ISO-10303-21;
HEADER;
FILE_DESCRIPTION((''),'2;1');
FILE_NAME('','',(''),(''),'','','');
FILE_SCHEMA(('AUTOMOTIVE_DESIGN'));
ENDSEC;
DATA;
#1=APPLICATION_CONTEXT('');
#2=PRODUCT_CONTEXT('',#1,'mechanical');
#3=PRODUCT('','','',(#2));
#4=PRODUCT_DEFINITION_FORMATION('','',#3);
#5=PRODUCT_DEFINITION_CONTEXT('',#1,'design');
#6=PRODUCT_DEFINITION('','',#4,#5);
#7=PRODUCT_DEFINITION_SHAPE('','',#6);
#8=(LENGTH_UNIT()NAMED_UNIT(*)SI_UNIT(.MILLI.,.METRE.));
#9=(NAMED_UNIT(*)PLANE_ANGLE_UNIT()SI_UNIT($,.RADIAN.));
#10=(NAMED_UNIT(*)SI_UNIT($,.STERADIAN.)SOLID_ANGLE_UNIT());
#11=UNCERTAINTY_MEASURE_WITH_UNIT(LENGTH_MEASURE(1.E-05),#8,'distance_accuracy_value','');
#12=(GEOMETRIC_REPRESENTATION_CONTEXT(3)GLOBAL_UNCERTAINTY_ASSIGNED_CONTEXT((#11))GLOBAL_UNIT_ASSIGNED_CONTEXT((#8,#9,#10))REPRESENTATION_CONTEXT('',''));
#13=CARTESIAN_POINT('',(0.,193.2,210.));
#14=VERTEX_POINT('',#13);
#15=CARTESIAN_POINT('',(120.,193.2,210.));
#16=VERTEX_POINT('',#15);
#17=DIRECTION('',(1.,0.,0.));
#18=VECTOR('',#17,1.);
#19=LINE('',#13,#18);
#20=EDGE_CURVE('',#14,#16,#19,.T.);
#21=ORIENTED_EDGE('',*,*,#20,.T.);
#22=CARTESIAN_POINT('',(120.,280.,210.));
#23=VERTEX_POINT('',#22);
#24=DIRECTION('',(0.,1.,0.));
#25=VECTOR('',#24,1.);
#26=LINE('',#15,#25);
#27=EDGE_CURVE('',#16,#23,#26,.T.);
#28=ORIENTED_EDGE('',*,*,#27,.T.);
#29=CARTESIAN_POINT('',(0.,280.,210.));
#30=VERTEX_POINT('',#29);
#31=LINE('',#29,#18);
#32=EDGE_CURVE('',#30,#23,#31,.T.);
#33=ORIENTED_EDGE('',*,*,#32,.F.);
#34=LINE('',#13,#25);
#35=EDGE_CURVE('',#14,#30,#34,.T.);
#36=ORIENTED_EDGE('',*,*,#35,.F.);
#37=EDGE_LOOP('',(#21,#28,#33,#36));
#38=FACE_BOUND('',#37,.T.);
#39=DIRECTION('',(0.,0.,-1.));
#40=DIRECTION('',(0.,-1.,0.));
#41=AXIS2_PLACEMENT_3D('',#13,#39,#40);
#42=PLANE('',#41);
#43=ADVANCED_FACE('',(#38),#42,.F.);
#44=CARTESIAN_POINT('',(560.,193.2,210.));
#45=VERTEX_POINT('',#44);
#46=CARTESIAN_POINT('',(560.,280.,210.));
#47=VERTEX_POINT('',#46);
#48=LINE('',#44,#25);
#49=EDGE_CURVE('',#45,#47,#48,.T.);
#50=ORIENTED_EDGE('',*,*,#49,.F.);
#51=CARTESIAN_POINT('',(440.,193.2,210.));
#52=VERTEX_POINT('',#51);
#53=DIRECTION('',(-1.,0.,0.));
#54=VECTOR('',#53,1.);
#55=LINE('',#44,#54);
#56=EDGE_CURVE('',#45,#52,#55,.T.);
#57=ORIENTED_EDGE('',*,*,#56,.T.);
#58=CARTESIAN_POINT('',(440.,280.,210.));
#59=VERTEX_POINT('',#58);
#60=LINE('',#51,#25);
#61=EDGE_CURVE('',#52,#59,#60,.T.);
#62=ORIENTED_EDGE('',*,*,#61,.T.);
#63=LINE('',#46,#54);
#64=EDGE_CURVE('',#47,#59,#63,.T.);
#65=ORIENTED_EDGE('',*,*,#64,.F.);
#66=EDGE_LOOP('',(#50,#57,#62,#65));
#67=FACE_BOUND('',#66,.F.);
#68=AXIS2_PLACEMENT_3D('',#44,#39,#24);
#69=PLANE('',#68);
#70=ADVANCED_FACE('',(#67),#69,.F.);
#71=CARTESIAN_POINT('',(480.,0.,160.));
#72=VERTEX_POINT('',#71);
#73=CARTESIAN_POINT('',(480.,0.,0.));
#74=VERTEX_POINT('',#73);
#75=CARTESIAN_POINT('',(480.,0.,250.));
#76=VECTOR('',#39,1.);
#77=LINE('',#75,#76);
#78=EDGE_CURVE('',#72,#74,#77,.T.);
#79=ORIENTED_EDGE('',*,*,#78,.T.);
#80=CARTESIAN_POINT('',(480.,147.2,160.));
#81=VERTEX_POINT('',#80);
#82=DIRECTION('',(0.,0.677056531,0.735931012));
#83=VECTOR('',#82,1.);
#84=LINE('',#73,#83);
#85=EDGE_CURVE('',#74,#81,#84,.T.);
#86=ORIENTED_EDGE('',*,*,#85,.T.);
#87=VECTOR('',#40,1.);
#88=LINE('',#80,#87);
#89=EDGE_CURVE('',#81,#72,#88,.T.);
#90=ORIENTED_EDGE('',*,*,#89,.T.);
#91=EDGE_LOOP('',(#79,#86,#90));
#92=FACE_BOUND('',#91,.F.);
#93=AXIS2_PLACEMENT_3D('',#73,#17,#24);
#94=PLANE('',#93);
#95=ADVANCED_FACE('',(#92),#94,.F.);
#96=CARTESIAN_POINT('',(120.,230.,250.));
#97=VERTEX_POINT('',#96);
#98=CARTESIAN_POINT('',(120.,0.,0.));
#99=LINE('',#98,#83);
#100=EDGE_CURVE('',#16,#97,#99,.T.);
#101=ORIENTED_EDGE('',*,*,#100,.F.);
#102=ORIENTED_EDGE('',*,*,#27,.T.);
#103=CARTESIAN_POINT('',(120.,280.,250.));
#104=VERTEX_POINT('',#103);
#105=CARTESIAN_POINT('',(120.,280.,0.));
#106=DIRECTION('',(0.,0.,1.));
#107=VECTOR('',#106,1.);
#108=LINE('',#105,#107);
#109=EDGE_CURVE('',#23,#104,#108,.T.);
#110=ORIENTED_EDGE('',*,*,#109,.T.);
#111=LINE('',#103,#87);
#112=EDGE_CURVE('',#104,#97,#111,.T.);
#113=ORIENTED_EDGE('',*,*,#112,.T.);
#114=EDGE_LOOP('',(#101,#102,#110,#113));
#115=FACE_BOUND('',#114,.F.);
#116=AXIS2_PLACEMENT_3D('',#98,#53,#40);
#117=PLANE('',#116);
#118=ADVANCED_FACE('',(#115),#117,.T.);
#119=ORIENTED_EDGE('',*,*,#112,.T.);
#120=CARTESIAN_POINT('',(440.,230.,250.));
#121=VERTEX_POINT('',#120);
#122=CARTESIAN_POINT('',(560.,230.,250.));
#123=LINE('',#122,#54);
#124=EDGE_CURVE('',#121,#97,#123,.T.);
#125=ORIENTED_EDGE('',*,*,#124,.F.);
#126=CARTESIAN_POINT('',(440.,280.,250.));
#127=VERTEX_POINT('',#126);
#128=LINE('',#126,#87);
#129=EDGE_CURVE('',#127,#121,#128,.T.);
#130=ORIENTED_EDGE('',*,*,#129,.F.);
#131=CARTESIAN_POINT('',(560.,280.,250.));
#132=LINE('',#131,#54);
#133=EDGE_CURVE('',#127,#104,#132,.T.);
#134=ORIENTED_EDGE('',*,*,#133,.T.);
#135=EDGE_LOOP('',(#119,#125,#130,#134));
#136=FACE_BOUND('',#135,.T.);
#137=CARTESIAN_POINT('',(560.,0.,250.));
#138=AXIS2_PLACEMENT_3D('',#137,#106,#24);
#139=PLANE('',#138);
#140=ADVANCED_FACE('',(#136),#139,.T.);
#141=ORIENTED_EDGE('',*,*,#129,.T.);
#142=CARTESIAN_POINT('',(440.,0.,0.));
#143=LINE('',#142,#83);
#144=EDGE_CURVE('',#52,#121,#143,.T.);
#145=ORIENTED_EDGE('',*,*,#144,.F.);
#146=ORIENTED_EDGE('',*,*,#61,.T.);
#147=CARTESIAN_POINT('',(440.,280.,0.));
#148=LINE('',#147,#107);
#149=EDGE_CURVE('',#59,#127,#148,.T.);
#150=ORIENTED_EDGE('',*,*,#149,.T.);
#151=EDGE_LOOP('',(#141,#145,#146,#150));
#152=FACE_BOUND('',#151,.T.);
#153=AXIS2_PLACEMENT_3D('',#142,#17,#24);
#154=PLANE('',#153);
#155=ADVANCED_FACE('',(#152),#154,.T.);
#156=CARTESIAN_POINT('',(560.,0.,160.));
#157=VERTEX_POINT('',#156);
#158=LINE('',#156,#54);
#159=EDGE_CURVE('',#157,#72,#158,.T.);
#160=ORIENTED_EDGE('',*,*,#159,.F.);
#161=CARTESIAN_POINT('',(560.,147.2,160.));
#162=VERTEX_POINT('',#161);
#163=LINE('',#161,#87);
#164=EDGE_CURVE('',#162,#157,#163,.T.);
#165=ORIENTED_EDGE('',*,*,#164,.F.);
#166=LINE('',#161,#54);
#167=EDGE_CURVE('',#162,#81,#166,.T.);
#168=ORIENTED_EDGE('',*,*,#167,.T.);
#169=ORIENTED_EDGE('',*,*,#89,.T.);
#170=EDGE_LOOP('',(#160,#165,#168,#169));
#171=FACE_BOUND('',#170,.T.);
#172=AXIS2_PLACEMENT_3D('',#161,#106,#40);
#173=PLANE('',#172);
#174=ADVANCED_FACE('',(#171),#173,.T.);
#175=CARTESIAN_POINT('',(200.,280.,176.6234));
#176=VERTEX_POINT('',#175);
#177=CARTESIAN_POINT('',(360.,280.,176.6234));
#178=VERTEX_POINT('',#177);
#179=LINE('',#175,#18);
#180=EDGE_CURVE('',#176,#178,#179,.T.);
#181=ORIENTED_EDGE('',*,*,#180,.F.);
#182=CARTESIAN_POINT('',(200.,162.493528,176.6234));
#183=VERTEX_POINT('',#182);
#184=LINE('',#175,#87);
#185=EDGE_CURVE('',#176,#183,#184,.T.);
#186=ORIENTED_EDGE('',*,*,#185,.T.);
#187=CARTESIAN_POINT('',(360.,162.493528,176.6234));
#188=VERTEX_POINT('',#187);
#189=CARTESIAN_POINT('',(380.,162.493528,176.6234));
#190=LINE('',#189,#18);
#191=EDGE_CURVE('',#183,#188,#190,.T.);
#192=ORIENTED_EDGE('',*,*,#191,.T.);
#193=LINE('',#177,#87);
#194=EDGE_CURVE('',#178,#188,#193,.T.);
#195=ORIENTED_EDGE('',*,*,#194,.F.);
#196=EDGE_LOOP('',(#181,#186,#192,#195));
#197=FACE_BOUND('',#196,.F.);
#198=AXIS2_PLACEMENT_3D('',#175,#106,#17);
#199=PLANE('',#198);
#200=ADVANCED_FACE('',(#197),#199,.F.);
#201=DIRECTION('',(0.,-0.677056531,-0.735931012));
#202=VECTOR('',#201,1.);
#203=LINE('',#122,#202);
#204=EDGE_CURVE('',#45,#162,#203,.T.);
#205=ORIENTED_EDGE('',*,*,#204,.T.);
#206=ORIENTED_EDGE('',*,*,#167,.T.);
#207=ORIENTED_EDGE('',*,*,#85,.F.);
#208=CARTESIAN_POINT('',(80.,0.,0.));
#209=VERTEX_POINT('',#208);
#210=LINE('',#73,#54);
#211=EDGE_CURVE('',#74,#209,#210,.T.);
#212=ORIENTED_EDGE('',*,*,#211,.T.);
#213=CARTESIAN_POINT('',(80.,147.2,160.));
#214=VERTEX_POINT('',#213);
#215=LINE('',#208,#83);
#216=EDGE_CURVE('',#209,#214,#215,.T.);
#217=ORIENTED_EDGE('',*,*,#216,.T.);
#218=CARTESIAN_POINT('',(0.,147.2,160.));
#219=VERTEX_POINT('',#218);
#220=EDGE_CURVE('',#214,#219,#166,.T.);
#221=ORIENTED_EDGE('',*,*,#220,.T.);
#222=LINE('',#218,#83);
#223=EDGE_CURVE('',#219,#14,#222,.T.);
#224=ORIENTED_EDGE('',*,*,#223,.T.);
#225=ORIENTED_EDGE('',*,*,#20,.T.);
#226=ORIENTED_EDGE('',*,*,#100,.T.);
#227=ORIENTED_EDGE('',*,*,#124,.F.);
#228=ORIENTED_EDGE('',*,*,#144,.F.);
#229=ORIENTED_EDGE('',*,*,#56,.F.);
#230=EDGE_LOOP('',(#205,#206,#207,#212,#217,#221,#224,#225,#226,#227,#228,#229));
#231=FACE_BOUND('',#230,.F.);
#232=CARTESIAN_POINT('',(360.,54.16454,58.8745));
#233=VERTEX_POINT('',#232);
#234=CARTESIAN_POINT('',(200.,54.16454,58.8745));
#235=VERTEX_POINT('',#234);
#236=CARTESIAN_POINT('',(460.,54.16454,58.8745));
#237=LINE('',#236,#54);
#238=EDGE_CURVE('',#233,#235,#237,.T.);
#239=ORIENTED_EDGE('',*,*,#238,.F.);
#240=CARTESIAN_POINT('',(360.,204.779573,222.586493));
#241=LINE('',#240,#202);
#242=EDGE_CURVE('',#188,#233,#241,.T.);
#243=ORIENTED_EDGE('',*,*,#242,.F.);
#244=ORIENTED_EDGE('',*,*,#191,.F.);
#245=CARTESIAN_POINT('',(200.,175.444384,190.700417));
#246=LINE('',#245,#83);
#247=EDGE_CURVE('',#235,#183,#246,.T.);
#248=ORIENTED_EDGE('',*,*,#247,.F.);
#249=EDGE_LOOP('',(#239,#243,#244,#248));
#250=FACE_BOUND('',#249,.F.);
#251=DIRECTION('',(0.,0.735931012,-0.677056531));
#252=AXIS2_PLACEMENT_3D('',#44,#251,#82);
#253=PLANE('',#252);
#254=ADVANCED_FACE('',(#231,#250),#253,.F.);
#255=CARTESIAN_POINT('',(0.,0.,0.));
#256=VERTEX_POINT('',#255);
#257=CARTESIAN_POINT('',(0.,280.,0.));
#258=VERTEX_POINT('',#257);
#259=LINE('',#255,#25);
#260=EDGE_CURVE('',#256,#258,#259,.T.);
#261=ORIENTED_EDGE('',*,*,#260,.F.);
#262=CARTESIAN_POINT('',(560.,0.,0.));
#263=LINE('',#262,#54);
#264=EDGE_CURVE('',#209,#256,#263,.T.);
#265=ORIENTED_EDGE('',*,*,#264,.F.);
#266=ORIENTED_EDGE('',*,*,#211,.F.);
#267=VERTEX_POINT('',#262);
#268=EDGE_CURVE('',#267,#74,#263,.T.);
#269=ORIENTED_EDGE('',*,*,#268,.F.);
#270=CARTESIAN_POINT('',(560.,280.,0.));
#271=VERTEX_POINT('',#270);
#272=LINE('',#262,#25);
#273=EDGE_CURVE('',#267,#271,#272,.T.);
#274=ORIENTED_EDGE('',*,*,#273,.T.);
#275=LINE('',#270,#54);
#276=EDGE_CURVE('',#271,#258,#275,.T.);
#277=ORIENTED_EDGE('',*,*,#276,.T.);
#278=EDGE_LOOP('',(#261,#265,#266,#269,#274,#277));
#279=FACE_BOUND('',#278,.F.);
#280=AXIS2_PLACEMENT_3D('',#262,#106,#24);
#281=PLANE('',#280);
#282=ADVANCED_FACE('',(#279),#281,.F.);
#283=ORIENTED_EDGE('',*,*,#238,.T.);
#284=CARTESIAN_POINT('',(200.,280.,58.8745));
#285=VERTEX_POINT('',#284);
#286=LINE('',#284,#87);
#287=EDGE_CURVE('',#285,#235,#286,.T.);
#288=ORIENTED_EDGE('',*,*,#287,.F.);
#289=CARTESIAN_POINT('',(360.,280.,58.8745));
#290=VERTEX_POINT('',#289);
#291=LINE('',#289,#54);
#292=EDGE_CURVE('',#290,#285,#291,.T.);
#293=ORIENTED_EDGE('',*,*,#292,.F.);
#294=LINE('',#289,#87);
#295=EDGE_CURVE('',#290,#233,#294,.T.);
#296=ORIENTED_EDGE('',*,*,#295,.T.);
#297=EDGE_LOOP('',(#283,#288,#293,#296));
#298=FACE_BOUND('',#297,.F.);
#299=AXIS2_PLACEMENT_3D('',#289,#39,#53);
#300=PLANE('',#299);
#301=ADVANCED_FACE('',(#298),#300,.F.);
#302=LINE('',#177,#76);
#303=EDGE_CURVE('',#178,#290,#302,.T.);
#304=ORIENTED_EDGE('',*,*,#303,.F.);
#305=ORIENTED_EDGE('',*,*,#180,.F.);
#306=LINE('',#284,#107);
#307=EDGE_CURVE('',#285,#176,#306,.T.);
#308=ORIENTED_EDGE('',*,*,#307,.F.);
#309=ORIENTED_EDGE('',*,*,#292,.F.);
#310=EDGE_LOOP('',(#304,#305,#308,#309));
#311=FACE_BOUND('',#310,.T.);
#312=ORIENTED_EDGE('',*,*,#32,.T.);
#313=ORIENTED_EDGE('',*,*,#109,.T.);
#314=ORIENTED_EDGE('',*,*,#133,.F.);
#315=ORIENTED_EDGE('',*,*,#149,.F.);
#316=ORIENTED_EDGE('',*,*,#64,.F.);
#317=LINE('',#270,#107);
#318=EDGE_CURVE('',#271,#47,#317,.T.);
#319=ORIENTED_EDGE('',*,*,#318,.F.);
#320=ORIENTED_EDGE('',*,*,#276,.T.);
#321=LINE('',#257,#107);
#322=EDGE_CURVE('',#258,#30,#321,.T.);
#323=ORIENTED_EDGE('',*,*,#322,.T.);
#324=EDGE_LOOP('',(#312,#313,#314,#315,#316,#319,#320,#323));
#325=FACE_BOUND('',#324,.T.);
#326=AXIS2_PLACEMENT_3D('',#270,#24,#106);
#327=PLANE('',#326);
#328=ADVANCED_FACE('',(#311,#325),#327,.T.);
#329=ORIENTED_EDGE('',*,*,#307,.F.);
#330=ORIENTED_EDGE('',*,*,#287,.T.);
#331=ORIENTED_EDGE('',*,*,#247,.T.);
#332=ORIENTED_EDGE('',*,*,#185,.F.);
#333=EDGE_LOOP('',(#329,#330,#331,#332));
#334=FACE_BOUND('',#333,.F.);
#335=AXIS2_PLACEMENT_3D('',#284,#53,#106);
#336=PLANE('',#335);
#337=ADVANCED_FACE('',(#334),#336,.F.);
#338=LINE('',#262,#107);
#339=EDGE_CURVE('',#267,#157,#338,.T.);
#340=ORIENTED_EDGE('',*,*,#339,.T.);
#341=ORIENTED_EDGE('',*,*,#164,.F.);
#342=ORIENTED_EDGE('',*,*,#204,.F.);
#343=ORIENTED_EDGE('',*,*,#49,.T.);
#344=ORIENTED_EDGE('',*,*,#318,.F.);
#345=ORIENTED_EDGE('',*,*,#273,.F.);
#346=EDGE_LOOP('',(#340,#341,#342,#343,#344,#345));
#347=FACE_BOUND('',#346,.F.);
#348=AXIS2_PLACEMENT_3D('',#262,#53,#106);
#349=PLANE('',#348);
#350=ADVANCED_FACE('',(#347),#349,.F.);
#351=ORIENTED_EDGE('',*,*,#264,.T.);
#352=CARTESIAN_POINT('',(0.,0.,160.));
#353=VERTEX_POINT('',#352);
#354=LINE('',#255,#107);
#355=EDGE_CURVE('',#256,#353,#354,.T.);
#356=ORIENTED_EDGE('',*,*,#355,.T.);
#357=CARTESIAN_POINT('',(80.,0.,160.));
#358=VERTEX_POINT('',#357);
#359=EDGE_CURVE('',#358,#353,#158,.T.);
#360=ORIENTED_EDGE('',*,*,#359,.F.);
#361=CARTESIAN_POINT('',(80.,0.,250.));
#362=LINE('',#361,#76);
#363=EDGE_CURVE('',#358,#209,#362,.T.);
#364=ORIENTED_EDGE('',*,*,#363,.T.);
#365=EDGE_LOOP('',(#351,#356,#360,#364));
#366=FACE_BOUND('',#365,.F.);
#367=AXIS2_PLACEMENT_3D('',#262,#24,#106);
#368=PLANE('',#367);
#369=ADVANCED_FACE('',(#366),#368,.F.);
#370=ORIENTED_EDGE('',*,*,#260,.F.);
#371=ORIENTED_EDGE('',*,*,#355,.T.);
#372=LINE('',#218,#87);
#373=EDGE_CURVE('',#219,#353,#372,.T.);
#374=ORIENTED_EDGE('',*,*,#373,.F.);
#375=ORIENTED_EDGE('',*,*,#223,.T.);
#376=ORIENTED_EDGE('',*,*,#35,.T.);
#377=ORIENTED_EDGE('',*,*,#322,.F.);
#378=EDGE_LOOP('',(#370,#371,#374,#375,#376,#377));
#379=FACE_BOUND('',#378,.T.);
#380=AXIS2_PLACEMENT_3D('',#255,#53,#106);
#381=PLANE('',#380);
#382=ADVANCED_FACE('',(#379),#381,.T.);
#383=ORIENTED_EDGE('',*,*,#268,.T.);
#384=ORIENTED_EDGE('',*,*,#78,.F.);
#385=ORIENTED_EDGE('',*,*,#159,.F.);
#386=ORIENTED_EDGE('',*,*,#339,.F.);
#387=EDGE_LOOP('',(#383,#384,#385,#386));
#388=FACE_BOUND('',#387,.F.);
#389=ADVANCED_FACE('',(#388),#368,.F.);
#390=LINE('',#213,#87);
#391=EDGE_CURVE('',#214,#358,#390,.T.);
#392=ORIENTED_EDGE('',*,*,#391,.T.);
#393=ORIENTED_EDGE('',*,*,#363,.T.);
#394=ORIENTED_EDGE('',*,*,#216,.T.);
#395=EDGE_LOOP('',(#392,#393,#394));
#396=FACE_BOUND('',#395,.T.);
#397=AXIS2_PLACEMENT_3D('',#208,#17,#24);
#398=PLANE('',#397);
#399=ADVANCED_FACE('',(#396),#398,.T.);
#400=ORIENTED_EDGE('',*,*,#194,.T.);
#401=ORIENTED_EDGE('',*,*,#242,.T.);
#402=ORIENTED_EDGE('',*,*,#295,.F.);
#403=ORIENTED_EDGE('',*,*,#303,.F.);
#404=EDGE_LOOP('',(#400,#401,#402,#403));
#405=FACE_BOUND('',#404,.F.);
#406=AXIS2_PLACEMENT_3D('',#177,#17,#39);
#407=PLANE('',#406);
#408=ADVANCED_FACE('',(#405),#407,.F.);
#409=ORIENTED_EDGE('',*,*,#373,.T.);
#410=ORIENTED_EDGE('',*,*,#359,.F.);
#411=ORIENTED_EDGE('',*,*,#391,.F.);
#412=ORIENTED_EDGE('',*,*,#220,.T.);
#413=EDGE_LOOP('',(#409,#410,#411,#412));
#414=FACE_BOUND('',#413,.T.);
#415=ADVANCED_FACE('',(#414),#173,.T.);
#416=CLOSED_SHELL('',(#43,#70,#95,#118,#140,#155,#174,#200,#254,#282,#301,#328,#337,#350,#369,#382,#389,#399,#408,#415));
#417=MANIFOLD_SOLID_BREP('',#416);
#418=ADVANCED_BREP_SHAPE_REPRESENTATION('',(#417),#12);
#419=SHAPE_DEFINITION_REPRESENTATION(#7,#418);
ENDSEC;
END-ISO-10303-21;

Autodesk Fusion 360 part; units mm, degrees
box "BoxPrimitive1" add length 280 width 560 height 250 placed x (0, 1, 0) y (-1, 0, 0) z (0, 0, 1) at (560, 0, 0)
sketch "Sketch2" plane through (560, 0, 0) normal (1, 0, 0) x (0, 1, 0)
  line L0 (0, 250) -> (0, 0)
  line L1 (0, 0) -> (280, 0)
  line L2 (280, 0) -> (280, 250)
  line L3 (280, 250) -> (0, 250)
  line L4 (0, 0) -> (230, 250)
  line L5 (193.2, 210) -> (280, 210)
  line L6 (147.2, 160) -> (0, 160)
  dimension "d6" = 50
  dimension "d7" = 160
  dimension "d8" = 50
extrude "Extrude1" cut sketch "Sketch2" against normal blind 560 contours L0 L3 L4 L6
extrude "Extrude2" cut sketch "Sketch2" against normal blind 400 from surface at -80 contours L0 L4 L6
extrude "Extrude3" cut sketch "Sketch2" against normal blind 120 contours L2 L3 L4 L5
ref_plane "WorkPlane1" through (280, 140, 105) normal (1, 0, 0) x (0, 0, -1)
mirror "Mirror1" about plane through (280, 140, 105) normal (1, 0, 0) of "Extrude3"
sketch "Sketch3" plane through (0, 0, 0) normal (0, -0.735931, 0.677057) x (1, 0, 0)
  line L0 (120, 285.3528) -> (0, 285.3528)
  line L1 (0, 285.3528) -> (0, 217.4117)
  line L2 (0, 217.4117) -> (80, 217.4117)
  line L3 (80, 217.4117) -> (80, 0)
  line L4 (80, 0) -> (480, 0)
  line L5 (480, 0) -> (480, 217.4117)
  line L6 (480, 217.4117) -> (560, 217.4117)
  line L7 (560, 217.4117) -> (560, 285.3528)
  line L8 (560, 285.3528) -> (440, 285.3528)
  line L9 (440, 285.3528) -> (440, 339.7058)
  line L10 (440, 339.7058) -> (120, 339.7058)
  line L11 (120, 339.7058) -> (120, 285.3528)
  line L12 (360, 80) -> (200, 80)
  line L13 (200, 80) -> (200, 240)
  line L14 (200, 240) -> (360, 240)
  line L15 (360, 240) -> (360, 80)
  line L16 (360, 80) -> (200, 240) construction
  line L17 (200, 80) -> (360, 240) construction
  point P0 (280, 160)
  dimension "d18" = 160
  dimension "d19" = 160
  dimension "d20" = 80
  dimension "d21" = 120
sketch "Sketch4" plane through (0, 280, 0) normal (0, 1, 0) x (-1, 0, 0)
  line L0 (0, 210) -> (-120, 210)
  line L1 (-120, 210) -> (-120, 250)
  line L2 (-120, 250) -> (-440, 250)
  line L3 (-440, 250) -> (-440, 210)
  line L4 (-440, 210) -> (-560, 210)
  line L5 (-560, 210) -> (-560, 0)
  line L6 (-560, 0) -> (0, 0)
  line L7 (0, 0) -> (0, 210)
  line L8 (-200, 58.8745) -> (-200, 176.6234)
  line L9 (-200, 176.6234) -> (-360, 176.6234)
  line L10 (-360, 58.8745) -> (-200, 58.8745)
  line L11 (-360, 176.6234) -> (-360, 58.8745)
extrude "Extrude4" cut sketch "Sketch4" against normal blind 300 contours L8 L9 L10 L11
